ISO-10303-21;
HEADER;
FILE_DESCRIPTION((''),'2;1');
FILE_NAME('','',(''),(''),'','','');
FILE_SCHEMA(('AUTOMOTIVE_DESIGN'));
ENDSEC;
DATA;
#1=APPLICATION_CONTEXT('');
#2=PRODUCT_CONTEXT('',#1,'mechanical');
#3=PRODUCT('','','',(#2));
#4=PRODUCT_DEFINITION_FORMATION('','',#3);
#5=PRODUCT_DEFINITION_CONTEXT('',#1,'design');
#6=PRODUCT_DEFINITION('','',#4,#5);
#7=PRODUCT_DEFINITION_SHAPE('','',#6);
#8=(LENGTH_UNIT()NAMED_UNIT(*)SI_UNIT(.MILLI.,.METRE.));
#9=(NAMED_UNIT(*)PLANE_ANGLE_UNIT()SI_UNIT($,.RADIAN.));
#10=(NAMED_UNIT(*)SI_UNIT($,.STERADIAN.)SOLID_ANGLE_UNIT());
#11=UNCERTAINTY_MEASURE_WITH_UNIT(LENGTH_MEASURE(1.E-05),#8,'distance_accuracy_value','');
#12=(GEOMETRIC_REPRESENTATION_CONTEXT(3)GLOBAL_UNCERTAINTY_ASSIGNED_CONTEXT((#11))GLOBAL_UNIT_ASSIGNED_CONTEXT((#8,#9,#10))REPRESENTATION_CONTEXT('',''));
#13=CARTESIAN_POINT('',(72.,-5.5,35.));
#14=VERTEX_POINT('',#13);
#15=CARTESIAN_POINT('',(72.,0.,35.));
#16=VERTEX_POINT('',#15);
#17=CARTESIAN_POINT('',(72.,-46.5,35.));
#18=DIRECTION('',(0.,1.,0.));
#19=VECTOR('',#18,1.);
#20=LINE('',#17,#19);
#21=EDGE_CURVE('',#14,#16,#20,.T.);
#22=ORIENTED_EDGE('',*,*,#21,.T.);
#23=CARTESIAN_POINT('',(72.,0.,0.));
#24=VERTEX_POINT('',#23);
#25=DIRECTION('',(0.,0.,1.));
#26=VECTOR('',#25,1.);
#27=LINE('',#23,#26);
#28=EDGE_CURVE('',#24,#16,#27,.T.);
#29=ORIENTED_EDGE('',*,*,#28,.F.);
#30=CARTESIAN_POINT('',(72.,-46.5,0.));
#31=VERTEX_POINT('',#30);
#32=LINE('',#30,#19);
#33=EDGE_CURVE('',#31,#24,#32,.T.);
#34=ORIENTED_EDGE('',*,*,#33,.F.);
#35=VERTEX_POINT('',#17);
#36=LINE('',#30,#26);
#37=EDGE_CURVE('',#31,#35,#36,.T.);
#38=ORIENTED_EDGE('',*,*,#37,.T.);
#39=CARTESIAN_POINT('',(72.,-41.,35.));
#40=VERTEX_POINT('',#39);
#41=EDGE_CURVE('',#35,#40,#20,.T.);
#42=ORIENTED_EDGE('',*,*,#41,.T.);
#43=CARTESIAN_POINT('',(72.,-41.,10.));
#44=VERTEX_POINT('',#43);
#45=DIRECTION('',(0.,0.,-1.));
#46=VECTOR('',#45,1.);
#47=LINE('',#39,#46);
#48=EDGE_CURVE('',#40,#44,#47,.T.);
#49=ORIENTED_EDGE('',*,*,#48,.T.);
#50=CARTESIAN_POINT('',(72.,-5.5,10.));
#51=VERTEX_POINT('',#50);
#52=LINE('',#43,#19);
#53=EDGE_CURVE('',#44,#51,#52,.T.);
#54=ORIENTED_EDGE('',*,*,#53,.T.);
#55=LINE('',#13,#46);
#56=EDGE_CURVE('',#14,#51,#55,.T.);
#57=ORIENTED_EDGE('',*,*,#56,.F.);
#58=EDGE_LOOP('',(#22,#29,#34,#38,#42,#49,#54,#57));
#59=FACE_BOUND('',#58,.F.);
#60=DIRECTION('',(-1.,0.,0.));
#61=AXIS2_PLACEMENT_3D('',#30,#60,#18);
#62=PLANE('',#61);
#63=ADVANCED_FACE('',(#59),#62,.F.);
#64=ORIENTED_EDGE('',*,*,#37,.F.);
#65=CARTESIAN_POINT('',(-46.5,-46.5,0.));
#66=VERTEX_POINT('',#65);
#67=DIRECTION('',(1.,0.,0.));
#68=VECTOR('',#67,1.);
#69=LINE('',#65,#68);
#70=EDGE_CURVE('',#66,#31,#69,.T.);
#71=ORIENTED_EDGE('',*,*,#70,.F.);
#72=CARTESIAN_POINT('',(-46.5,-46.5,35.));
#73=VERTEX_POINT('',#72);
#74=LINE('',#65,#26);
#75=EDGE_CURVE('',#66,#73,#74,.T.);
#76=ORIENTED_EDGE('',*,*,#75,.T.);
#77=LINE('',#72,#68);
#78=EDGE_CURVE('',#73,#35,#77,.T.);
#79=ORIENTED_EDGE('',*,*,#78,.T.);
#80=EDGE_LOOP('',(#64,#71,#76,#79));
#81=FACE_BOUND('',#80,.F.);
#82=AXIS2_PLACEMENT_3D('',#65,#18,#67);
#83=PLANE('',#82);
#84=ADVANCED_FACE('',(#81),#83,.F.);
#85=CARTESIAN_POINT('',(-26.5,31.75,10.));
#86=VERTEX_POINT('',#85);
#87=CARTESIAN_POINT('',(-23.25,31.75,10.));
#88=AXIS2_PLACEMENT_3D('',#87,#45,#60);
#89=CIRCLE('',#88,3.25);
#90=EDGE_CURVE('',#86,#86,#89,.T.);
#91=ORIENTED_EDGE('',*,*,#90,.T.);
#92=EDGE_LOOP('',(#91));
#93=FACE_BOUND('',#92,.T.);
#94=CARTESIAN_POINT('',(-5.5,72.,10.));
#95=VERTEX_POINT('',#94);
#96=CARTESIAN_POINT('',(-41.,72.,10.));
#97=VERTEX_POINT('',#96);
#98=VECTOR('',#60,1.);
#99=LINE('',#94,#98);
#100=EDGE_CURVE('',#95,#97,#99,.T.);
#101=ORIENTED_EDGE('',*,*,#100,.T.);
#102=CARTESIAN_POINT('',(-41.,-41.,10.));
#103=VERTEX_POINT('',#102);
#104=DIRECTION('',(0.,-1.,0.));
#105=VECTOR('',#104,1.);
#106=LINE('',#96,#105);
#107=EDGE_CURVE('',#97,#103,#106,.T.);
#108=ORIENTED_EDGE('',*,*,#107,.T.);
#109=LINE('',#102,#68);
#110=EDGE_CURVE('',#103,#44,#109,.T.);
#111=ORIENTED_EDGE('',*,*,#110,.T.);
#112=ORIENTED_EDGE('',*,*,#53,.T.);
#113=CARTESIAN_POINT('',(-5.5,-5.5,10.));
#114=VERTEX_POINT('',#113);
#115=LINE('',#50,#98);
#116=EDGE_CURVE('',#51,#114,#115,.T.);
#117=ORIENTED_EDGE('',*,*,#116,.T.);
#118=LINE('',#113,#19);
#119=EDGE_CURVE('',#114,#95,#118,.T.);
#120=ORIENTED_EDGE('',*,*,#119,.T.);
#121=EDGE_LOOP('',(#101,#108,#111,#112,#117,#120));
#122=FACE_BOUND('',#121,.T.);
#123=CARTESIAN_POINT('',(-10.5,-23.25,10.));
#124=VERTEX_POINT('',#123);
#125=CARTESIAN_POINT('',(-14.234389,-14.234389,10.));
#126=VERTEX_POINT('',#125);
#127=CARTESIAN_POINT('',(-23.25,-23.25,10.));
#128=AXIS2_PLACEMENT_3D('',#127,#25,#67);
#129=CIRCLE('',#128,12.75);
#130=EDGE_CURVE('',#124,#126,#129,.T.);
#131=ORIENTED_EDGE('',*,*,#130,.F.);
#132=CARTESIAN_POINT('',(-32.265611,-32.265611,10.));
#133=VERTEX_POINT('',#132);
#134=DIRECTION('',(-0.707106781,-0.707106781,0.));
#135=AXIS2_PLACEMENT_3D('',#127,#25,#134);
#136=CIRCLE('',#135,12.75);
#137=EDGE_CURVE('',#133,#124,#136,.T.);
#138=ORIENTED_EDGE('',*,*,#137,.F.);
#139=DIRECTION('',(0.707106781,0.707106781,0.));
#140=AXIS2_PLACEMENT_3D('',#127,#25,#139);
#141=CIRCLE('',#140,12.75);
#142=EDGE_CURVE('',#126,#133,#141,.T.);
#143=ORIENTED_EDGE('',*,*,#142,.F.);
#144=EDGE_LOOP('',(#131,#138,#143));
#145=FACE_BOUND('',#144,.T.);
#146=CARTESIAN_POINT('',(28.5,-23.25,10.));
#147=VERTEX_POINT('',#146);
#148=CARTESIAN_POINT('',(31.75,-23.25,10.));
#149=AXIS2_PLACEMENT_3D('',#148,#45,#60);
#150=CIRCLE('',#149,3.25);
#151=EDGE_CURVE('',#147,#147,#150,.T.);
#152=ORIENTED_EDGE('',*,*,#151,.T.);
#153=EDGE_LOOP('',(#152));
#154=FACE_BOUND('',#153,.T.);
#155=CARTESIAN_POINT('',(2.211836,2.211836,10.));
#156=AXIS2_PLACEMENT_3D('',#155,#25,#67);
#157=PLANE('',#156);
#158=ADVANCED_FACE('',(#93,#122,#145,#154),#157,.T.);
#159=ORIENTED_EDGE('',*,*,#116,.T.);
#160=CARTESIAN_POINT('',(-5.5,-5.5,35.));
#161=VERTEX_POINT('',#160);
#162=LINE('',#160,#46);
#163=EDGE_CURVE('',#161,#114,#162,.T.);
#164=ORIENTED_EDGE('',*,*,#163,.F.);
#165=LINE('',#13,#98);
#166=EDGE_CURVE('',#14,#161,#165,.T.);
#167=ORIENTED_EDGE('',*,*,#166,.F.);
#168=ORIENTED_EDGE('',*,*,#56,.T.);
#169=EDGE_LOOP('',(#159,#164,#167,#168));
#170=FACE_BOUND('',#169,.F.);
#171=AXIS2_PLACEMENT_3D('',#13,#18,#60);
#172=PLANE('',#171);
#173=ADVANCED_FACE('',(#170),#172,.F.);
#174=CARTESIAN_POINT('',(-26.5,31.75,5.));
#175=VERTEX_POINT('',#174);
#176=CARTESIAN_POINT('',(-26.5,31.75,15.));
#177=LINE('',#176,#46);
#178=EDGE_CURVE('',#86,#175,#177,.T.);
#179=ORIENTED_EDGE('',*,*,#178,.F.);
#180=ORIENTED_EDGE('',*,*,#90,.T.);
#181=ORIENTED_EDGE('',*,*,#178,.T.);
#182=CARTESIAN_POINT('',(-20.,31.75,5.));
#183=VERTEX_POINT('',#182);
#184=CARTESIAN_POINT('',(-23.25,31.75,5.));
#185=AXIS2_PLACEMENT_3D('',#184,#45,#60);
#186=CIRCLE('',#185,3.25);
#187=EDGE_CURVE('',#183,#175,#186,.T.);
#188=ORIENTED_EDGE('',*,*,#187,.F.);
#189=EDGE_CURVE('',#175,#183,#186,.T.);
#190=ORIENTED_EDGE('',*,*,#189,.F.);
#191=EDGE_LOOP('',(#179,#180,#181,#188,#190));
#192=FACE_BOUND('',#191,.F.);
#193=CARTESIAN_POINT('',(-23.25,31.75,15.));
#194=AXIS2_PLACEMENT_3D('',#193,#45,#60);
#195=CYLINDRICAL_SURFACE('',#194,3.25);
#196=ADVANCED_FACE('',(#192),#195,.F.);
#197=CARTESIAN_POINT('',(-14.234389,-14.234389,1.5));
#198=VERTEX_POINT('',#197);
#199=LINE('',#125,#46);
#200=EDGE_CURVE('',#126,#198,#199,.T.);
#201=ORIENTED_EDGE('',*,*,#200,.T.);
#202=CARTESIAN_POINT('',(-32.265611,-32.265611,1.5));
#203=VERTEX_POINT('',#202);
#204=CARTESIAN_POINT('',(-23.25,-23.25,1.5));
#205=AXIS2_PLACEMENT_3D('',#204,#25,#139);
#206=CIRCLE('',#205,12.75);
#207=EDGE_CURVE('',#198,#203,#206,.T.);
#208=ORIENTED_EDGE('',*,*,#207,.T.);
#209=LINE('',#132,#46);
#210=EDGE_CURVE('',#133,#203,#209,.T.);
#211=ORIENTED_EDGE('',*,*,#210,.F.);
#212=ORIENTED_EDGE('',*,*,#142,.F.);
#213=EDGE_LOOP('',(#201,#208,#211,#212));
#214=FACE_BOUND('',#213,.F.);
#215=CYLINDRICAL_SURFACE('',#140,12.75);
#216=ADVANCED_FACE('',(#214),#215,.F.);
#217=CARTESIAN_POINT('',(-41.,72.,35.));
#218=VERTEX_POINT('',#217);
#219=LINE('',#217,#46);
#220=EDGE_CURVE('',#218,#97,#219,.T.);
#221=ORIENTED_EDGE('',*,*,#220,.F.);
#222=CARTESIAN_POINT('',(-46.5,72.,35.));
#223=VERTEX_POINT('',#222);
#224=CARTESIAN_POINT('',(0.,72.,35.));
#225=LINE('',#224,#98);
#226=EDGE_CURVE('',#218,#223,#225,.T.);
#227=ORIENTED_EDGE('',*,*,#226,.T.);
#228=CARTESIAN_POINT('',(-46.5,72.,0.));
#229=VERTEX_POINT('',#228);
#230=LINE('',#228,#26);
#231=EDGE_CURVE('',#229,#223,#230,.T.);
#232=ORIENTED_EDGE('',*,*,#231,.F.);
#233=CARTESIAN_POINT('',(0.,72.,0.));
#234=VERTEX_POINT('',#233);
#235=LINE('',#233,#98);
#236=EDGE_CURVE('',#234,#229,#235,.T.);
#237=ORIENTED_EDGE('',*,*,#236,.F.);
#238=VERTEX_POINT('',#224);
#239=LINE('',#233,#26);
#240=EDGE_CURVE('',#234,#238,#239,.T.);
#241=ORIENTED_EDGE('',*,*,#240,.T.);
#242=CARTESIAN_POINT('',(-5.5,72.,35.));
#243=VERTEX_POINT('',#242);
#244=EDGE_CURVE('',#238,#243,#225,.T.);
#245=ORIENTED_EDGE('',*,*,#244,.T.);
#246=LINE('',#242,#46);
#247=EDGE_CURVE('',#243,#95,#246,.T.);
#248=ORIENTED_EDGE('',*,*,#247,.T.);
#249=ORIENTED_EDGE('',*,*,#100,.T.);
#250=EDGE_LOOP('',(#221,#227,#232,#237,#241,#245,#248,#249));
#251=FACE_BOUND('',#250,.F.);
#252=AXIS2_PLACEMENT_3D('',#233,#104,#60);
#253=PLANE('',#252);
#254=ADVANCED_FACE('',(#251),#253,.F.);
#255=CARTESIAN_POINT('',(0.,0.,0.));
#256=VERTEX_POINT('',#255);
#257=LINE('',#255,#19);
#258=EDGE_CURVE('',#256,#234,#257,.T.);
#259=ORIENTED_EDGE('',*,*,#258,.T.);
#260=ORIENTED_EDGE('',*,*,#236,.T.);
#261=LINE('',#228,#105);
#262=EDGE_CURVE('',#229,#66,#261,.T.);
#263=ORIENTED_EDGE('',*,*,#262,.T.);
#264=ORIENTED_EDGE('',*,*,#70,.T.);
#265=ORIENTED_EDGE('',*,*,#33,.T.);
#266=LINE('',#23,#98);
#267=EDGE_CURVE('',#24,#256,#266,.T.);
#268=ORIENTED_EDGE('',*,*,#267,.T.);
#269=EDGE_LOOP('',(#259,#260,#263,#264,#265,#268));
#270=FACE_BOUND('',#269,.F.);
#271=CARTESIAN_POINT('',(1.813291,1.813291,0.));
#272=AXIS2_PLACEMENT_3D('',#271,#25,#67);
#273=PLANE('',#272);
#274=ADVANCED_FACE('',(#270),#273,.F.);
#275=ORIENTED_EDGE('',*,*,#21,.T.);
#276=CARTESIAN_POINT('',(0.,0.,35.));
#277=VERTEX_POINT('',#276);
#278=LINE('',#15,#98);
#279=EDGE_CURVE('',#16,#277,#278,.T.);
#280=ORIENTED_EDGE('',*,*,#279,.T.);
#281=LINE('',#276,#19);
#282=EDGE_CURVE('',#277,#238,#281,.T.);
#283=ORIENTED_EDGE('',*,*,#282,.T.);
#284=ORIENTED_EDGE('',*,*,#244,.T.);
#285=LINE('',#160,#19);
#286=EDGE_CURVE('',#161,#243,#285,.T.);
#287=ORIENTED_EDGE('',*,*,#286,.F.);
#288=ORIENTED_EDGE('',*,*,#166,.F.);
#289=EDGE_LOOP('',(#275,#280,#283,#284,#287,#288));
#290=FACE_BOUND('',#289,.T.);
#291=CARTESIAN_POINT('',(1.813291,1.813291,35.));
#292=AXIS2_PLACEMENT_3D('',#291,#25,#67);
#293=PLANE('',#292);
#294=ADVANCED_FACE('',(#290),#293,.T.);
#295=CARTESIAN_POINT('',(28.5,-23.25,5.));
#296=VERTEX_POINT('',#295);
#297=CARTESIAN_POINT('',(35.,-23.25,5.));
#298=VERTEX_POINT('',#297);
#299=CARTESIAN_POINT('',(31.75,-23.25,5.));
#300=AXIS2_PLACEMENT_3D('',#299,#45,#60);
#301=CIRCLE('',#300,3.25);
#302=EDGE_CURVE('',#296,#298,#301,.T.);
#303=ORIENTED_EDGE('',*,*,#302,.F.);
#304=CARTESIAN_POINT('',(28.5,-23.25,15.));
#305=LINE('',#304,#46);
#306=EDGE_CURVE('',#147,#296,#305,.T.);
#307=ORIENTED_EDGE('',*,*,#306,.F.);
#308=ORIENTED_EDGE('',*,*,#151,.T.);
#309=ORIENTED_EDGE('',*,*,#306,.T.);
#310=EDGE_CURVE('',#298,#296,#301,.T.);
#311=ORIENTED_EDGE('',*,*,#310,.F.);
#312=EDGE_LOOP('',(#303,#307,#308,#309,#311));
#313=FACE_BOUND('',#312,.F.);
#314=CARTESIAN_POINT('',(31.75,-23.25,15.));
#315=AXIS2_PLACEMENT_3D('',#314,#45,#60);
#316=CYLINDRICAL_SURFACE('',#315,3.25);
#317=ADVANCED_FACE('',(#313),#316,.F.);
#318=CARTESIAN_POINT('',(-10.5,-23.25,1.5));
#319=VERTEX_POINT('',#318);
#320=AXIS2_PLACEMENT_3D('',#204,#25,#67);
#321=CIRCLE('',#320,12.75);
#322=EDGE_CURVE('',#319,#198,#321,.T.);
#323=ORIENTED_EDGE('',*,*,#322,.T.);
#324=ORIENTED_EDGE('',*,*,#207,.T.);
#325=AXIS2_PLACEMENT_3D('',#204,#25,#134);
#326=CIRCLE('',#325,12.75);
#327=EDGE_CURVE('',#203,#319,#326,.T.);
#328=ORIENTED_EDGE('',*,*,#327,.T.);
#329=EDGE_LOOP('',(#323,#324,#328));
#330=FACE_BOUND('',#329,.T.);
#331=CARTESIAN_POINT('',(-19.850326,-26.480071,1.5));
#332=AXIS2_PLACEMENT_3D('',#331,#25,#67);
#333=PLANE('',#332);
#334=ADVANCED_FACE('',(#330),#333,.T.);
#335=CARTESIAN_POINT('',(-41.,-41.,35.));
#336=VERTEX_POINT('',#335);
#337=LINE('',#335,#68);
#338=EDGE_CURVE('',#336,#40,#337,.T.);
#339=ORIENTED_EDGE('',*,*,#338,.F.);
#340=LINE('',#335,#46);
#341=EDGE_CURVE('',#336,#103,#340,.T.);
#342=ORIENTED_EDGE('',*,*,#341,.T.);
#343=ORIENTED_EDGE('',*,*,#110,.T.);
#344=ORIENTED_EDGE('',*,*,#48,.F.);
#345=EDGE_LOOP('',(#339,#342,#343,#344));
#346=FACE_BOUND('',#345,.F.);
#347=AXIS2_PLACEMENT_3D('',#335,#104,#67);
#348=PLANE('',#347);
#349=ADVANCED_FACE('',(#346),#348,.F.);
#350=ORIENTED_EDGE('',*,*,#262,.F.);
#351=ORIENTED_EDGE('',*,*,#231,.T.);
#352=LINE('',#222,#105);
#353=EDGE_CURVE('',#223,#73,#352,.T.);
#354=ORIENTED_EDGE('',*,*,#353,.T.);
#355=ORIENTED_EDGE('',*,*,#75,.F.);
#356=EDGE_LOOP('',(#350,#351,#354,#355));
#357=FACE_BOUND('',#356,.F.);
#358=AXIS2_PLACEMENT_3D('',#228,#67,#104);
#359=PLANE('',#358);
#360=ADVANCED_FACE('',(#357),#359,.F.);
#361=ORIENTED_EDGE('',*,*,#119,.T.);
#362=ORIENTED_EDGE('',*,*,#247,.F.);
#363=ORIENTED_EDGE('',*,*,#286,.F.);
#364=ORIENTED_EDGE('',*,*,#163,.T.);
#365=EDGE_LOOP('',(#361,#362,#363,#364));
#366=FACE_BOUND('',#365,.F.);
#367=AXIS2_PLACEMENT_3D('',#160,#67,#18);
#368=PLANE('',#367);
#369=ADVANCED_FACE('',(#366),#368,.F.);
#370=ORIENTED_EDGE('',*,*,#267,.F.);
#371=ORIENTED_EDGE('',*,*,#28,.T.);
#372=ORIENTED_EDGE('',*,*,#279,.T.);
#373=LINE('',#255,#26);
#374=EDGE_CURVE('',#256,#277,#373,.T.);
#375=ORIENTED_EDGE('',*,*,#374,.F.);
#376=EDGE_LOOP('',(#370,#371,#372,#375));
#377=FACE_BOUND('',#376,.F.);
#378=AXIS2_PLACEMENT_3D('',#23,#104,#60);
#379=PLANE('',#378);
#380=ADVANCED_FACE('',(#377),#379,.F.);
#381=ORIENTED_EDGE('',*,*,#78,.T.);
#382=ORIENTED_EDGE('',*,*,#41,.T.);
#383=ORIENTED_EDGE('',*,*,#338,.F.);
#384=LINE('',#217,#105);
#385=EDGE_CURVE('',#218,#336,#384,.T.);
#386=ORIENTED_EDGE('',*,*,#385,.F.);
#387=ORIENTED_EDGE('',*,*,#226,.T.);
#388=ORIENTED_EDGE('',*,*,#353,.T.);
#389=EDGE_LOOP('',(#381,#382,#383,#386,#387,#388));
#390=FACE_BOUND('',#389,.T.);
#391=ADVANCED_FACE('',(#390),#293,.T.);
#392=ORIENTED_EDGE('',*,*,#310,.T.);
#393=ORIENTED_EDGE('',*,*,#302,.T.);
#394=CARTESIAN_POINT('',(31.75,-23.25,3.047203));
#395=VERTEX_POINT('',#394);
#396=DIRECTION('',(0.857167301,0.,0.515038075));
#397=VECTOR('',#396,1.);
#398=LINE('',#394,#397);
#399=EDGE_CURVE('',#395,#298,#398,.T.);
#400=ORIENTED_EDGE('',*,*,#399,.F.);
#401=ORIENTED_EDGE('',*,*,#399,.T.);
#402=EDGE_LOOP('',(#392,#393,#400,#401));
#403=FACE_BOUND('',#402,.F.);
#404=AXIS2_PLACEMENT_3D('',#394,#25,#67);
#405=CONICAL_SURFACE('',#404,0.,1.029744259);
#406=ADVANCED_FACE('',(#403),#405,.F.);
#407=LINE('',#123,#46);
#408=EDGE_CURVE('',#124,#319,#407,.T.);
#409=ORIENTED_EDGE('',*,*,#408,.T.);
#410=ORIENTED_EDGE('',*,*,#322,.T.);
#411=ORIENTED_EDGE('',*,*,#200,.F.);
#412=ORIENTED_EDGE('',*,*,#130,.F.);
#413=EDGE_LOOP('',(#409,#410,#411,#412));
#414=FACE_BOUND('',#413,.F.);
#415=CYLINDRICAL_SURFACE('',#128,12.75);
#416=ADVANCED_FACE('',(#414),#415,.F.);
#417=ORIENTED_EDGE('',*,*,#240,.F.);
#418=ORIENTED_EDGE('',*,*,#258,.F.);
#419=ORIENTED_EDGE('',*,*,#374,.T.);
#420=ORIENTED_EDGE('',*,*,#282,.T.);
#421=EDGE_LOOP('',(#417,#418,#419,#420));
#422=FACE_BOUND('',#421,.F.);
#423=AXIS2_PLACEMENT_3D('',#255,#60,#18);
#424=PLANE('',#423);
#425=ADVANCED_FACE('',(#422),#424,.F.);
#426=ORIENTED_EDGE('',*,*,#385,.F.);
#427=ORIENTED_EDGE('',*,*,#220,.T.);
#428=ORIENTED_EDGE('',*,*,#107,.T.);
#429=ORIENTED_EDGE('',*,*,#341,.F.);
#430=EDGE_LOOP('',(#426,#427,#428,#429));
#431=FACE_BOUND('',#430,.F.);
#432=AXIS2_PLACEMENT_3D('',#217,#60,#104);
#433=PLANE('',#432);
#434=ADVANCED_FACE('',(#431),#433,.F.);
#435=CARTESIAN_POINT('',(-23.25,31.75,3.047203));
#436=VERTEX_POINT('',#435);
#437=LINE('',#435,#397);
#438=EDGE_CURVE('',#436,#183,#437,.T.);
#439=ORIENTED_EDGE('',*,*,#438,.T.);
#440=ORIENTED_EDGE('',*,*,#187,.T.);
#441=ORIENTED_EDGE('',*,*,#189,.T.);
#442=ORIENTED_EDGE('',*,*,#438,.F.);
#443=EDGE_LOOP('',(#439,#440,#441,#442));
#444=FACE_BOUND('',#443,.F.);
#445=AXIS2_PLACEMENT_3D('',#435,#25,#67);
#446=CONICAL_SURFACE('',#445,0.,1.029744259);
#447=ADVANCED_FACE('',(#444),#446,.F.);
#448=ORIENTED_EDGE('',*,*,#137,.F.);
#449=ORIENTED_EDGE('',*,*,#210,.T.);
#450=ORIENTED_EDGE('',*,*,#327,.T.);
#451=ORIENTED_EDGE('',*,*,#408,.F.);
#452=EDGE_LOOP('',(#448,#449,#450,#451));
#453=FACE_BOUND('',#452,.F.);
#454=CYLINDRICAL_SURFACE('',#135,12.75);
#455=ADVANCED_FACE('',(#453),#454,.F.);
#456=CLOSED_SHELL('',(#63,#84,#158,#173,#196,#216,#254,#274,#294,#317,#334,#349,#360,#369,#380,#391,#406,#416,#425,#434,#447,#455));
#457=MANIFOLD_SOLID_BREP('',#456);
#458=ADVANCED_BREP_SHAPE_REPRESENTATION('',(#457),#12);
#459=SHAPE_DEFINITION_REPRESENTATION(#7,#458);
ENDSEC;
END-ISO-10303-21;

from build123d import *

# Parameters (mm, degrees)
F1_DEPTH = 35
F3_DEPTH = 25
F5_DEPTH = 8.5000004619
F6_D     = 6.5
F6_DEPTH = 5
F6_TIP   = 1.9527970118


with BuildPart() as f1:
    # F0 (on Top) → F1 (new body)
    with BuildSketch(Plane.XY):
        Polygon((72, 0), (0, 0), (0, 72), (-46.5, 72), (-46.5, -46.5), (0, -46.5), (72, -46.5), align=None)
    extrude(amount=F1_DEPTH)

    # F2 (on face) → F3 (cut)
    with BuildSketch(Plane.XY.offset(35)):
        Polygon((-41, 72), (-41, -41), (72, -41), (72, -5.5), (-5.5, -5.5), (-5.5, 72), align=None)
    extrude(amount=-F3_DEPTH, mode=Mode.SUBTRACT)

    # F4 (on face) → F5 (cut)
    with BuildSketch(Plane.XY.offset(10)):
        with BuildLine():
            Line((-14.2343885399, -14.2343885399), (-32.2656114601, -32.2656114601))
            ThreePointArc((-32.2656114601, -32.2656114601), (-18.3707862373, -35.0294640395), (-10.5, -23.25))
            ThreePointArc((-10.5, -23.25), (-11.4705359605, -18.3707862373), (-14.2343885399, -14.2343885399))
        make_face()
        with BuildLine():
            ThreePointArc((-14.2343885399, -14.2343885399), (-32.2656114601, -14.2343885399), (-32.2656114601, -32.2656114601))
            Line((-32.2656114601, -32.2656114601), (-14.2343885399, -14.2343885399))
        make_face()
    extrude(amount=-F5_DEPTH, mode=Mode.SUBTRACT)

    # F6
    with Locations(Plane.XY.offset(10)):
        with Locations((31.75, -23.25), (-23.25, 31.75)):
            Hole(F6_D / 2, depth=F6_DEPTH)
            with Locations((0, 0, -(F6_DEPTH + F6_TIP / 2))):  # 118° drill point
                Cone(0, F6_D / 2, F6_TIP, mode=Mode.SUBTRACT)


solid = f1.part
